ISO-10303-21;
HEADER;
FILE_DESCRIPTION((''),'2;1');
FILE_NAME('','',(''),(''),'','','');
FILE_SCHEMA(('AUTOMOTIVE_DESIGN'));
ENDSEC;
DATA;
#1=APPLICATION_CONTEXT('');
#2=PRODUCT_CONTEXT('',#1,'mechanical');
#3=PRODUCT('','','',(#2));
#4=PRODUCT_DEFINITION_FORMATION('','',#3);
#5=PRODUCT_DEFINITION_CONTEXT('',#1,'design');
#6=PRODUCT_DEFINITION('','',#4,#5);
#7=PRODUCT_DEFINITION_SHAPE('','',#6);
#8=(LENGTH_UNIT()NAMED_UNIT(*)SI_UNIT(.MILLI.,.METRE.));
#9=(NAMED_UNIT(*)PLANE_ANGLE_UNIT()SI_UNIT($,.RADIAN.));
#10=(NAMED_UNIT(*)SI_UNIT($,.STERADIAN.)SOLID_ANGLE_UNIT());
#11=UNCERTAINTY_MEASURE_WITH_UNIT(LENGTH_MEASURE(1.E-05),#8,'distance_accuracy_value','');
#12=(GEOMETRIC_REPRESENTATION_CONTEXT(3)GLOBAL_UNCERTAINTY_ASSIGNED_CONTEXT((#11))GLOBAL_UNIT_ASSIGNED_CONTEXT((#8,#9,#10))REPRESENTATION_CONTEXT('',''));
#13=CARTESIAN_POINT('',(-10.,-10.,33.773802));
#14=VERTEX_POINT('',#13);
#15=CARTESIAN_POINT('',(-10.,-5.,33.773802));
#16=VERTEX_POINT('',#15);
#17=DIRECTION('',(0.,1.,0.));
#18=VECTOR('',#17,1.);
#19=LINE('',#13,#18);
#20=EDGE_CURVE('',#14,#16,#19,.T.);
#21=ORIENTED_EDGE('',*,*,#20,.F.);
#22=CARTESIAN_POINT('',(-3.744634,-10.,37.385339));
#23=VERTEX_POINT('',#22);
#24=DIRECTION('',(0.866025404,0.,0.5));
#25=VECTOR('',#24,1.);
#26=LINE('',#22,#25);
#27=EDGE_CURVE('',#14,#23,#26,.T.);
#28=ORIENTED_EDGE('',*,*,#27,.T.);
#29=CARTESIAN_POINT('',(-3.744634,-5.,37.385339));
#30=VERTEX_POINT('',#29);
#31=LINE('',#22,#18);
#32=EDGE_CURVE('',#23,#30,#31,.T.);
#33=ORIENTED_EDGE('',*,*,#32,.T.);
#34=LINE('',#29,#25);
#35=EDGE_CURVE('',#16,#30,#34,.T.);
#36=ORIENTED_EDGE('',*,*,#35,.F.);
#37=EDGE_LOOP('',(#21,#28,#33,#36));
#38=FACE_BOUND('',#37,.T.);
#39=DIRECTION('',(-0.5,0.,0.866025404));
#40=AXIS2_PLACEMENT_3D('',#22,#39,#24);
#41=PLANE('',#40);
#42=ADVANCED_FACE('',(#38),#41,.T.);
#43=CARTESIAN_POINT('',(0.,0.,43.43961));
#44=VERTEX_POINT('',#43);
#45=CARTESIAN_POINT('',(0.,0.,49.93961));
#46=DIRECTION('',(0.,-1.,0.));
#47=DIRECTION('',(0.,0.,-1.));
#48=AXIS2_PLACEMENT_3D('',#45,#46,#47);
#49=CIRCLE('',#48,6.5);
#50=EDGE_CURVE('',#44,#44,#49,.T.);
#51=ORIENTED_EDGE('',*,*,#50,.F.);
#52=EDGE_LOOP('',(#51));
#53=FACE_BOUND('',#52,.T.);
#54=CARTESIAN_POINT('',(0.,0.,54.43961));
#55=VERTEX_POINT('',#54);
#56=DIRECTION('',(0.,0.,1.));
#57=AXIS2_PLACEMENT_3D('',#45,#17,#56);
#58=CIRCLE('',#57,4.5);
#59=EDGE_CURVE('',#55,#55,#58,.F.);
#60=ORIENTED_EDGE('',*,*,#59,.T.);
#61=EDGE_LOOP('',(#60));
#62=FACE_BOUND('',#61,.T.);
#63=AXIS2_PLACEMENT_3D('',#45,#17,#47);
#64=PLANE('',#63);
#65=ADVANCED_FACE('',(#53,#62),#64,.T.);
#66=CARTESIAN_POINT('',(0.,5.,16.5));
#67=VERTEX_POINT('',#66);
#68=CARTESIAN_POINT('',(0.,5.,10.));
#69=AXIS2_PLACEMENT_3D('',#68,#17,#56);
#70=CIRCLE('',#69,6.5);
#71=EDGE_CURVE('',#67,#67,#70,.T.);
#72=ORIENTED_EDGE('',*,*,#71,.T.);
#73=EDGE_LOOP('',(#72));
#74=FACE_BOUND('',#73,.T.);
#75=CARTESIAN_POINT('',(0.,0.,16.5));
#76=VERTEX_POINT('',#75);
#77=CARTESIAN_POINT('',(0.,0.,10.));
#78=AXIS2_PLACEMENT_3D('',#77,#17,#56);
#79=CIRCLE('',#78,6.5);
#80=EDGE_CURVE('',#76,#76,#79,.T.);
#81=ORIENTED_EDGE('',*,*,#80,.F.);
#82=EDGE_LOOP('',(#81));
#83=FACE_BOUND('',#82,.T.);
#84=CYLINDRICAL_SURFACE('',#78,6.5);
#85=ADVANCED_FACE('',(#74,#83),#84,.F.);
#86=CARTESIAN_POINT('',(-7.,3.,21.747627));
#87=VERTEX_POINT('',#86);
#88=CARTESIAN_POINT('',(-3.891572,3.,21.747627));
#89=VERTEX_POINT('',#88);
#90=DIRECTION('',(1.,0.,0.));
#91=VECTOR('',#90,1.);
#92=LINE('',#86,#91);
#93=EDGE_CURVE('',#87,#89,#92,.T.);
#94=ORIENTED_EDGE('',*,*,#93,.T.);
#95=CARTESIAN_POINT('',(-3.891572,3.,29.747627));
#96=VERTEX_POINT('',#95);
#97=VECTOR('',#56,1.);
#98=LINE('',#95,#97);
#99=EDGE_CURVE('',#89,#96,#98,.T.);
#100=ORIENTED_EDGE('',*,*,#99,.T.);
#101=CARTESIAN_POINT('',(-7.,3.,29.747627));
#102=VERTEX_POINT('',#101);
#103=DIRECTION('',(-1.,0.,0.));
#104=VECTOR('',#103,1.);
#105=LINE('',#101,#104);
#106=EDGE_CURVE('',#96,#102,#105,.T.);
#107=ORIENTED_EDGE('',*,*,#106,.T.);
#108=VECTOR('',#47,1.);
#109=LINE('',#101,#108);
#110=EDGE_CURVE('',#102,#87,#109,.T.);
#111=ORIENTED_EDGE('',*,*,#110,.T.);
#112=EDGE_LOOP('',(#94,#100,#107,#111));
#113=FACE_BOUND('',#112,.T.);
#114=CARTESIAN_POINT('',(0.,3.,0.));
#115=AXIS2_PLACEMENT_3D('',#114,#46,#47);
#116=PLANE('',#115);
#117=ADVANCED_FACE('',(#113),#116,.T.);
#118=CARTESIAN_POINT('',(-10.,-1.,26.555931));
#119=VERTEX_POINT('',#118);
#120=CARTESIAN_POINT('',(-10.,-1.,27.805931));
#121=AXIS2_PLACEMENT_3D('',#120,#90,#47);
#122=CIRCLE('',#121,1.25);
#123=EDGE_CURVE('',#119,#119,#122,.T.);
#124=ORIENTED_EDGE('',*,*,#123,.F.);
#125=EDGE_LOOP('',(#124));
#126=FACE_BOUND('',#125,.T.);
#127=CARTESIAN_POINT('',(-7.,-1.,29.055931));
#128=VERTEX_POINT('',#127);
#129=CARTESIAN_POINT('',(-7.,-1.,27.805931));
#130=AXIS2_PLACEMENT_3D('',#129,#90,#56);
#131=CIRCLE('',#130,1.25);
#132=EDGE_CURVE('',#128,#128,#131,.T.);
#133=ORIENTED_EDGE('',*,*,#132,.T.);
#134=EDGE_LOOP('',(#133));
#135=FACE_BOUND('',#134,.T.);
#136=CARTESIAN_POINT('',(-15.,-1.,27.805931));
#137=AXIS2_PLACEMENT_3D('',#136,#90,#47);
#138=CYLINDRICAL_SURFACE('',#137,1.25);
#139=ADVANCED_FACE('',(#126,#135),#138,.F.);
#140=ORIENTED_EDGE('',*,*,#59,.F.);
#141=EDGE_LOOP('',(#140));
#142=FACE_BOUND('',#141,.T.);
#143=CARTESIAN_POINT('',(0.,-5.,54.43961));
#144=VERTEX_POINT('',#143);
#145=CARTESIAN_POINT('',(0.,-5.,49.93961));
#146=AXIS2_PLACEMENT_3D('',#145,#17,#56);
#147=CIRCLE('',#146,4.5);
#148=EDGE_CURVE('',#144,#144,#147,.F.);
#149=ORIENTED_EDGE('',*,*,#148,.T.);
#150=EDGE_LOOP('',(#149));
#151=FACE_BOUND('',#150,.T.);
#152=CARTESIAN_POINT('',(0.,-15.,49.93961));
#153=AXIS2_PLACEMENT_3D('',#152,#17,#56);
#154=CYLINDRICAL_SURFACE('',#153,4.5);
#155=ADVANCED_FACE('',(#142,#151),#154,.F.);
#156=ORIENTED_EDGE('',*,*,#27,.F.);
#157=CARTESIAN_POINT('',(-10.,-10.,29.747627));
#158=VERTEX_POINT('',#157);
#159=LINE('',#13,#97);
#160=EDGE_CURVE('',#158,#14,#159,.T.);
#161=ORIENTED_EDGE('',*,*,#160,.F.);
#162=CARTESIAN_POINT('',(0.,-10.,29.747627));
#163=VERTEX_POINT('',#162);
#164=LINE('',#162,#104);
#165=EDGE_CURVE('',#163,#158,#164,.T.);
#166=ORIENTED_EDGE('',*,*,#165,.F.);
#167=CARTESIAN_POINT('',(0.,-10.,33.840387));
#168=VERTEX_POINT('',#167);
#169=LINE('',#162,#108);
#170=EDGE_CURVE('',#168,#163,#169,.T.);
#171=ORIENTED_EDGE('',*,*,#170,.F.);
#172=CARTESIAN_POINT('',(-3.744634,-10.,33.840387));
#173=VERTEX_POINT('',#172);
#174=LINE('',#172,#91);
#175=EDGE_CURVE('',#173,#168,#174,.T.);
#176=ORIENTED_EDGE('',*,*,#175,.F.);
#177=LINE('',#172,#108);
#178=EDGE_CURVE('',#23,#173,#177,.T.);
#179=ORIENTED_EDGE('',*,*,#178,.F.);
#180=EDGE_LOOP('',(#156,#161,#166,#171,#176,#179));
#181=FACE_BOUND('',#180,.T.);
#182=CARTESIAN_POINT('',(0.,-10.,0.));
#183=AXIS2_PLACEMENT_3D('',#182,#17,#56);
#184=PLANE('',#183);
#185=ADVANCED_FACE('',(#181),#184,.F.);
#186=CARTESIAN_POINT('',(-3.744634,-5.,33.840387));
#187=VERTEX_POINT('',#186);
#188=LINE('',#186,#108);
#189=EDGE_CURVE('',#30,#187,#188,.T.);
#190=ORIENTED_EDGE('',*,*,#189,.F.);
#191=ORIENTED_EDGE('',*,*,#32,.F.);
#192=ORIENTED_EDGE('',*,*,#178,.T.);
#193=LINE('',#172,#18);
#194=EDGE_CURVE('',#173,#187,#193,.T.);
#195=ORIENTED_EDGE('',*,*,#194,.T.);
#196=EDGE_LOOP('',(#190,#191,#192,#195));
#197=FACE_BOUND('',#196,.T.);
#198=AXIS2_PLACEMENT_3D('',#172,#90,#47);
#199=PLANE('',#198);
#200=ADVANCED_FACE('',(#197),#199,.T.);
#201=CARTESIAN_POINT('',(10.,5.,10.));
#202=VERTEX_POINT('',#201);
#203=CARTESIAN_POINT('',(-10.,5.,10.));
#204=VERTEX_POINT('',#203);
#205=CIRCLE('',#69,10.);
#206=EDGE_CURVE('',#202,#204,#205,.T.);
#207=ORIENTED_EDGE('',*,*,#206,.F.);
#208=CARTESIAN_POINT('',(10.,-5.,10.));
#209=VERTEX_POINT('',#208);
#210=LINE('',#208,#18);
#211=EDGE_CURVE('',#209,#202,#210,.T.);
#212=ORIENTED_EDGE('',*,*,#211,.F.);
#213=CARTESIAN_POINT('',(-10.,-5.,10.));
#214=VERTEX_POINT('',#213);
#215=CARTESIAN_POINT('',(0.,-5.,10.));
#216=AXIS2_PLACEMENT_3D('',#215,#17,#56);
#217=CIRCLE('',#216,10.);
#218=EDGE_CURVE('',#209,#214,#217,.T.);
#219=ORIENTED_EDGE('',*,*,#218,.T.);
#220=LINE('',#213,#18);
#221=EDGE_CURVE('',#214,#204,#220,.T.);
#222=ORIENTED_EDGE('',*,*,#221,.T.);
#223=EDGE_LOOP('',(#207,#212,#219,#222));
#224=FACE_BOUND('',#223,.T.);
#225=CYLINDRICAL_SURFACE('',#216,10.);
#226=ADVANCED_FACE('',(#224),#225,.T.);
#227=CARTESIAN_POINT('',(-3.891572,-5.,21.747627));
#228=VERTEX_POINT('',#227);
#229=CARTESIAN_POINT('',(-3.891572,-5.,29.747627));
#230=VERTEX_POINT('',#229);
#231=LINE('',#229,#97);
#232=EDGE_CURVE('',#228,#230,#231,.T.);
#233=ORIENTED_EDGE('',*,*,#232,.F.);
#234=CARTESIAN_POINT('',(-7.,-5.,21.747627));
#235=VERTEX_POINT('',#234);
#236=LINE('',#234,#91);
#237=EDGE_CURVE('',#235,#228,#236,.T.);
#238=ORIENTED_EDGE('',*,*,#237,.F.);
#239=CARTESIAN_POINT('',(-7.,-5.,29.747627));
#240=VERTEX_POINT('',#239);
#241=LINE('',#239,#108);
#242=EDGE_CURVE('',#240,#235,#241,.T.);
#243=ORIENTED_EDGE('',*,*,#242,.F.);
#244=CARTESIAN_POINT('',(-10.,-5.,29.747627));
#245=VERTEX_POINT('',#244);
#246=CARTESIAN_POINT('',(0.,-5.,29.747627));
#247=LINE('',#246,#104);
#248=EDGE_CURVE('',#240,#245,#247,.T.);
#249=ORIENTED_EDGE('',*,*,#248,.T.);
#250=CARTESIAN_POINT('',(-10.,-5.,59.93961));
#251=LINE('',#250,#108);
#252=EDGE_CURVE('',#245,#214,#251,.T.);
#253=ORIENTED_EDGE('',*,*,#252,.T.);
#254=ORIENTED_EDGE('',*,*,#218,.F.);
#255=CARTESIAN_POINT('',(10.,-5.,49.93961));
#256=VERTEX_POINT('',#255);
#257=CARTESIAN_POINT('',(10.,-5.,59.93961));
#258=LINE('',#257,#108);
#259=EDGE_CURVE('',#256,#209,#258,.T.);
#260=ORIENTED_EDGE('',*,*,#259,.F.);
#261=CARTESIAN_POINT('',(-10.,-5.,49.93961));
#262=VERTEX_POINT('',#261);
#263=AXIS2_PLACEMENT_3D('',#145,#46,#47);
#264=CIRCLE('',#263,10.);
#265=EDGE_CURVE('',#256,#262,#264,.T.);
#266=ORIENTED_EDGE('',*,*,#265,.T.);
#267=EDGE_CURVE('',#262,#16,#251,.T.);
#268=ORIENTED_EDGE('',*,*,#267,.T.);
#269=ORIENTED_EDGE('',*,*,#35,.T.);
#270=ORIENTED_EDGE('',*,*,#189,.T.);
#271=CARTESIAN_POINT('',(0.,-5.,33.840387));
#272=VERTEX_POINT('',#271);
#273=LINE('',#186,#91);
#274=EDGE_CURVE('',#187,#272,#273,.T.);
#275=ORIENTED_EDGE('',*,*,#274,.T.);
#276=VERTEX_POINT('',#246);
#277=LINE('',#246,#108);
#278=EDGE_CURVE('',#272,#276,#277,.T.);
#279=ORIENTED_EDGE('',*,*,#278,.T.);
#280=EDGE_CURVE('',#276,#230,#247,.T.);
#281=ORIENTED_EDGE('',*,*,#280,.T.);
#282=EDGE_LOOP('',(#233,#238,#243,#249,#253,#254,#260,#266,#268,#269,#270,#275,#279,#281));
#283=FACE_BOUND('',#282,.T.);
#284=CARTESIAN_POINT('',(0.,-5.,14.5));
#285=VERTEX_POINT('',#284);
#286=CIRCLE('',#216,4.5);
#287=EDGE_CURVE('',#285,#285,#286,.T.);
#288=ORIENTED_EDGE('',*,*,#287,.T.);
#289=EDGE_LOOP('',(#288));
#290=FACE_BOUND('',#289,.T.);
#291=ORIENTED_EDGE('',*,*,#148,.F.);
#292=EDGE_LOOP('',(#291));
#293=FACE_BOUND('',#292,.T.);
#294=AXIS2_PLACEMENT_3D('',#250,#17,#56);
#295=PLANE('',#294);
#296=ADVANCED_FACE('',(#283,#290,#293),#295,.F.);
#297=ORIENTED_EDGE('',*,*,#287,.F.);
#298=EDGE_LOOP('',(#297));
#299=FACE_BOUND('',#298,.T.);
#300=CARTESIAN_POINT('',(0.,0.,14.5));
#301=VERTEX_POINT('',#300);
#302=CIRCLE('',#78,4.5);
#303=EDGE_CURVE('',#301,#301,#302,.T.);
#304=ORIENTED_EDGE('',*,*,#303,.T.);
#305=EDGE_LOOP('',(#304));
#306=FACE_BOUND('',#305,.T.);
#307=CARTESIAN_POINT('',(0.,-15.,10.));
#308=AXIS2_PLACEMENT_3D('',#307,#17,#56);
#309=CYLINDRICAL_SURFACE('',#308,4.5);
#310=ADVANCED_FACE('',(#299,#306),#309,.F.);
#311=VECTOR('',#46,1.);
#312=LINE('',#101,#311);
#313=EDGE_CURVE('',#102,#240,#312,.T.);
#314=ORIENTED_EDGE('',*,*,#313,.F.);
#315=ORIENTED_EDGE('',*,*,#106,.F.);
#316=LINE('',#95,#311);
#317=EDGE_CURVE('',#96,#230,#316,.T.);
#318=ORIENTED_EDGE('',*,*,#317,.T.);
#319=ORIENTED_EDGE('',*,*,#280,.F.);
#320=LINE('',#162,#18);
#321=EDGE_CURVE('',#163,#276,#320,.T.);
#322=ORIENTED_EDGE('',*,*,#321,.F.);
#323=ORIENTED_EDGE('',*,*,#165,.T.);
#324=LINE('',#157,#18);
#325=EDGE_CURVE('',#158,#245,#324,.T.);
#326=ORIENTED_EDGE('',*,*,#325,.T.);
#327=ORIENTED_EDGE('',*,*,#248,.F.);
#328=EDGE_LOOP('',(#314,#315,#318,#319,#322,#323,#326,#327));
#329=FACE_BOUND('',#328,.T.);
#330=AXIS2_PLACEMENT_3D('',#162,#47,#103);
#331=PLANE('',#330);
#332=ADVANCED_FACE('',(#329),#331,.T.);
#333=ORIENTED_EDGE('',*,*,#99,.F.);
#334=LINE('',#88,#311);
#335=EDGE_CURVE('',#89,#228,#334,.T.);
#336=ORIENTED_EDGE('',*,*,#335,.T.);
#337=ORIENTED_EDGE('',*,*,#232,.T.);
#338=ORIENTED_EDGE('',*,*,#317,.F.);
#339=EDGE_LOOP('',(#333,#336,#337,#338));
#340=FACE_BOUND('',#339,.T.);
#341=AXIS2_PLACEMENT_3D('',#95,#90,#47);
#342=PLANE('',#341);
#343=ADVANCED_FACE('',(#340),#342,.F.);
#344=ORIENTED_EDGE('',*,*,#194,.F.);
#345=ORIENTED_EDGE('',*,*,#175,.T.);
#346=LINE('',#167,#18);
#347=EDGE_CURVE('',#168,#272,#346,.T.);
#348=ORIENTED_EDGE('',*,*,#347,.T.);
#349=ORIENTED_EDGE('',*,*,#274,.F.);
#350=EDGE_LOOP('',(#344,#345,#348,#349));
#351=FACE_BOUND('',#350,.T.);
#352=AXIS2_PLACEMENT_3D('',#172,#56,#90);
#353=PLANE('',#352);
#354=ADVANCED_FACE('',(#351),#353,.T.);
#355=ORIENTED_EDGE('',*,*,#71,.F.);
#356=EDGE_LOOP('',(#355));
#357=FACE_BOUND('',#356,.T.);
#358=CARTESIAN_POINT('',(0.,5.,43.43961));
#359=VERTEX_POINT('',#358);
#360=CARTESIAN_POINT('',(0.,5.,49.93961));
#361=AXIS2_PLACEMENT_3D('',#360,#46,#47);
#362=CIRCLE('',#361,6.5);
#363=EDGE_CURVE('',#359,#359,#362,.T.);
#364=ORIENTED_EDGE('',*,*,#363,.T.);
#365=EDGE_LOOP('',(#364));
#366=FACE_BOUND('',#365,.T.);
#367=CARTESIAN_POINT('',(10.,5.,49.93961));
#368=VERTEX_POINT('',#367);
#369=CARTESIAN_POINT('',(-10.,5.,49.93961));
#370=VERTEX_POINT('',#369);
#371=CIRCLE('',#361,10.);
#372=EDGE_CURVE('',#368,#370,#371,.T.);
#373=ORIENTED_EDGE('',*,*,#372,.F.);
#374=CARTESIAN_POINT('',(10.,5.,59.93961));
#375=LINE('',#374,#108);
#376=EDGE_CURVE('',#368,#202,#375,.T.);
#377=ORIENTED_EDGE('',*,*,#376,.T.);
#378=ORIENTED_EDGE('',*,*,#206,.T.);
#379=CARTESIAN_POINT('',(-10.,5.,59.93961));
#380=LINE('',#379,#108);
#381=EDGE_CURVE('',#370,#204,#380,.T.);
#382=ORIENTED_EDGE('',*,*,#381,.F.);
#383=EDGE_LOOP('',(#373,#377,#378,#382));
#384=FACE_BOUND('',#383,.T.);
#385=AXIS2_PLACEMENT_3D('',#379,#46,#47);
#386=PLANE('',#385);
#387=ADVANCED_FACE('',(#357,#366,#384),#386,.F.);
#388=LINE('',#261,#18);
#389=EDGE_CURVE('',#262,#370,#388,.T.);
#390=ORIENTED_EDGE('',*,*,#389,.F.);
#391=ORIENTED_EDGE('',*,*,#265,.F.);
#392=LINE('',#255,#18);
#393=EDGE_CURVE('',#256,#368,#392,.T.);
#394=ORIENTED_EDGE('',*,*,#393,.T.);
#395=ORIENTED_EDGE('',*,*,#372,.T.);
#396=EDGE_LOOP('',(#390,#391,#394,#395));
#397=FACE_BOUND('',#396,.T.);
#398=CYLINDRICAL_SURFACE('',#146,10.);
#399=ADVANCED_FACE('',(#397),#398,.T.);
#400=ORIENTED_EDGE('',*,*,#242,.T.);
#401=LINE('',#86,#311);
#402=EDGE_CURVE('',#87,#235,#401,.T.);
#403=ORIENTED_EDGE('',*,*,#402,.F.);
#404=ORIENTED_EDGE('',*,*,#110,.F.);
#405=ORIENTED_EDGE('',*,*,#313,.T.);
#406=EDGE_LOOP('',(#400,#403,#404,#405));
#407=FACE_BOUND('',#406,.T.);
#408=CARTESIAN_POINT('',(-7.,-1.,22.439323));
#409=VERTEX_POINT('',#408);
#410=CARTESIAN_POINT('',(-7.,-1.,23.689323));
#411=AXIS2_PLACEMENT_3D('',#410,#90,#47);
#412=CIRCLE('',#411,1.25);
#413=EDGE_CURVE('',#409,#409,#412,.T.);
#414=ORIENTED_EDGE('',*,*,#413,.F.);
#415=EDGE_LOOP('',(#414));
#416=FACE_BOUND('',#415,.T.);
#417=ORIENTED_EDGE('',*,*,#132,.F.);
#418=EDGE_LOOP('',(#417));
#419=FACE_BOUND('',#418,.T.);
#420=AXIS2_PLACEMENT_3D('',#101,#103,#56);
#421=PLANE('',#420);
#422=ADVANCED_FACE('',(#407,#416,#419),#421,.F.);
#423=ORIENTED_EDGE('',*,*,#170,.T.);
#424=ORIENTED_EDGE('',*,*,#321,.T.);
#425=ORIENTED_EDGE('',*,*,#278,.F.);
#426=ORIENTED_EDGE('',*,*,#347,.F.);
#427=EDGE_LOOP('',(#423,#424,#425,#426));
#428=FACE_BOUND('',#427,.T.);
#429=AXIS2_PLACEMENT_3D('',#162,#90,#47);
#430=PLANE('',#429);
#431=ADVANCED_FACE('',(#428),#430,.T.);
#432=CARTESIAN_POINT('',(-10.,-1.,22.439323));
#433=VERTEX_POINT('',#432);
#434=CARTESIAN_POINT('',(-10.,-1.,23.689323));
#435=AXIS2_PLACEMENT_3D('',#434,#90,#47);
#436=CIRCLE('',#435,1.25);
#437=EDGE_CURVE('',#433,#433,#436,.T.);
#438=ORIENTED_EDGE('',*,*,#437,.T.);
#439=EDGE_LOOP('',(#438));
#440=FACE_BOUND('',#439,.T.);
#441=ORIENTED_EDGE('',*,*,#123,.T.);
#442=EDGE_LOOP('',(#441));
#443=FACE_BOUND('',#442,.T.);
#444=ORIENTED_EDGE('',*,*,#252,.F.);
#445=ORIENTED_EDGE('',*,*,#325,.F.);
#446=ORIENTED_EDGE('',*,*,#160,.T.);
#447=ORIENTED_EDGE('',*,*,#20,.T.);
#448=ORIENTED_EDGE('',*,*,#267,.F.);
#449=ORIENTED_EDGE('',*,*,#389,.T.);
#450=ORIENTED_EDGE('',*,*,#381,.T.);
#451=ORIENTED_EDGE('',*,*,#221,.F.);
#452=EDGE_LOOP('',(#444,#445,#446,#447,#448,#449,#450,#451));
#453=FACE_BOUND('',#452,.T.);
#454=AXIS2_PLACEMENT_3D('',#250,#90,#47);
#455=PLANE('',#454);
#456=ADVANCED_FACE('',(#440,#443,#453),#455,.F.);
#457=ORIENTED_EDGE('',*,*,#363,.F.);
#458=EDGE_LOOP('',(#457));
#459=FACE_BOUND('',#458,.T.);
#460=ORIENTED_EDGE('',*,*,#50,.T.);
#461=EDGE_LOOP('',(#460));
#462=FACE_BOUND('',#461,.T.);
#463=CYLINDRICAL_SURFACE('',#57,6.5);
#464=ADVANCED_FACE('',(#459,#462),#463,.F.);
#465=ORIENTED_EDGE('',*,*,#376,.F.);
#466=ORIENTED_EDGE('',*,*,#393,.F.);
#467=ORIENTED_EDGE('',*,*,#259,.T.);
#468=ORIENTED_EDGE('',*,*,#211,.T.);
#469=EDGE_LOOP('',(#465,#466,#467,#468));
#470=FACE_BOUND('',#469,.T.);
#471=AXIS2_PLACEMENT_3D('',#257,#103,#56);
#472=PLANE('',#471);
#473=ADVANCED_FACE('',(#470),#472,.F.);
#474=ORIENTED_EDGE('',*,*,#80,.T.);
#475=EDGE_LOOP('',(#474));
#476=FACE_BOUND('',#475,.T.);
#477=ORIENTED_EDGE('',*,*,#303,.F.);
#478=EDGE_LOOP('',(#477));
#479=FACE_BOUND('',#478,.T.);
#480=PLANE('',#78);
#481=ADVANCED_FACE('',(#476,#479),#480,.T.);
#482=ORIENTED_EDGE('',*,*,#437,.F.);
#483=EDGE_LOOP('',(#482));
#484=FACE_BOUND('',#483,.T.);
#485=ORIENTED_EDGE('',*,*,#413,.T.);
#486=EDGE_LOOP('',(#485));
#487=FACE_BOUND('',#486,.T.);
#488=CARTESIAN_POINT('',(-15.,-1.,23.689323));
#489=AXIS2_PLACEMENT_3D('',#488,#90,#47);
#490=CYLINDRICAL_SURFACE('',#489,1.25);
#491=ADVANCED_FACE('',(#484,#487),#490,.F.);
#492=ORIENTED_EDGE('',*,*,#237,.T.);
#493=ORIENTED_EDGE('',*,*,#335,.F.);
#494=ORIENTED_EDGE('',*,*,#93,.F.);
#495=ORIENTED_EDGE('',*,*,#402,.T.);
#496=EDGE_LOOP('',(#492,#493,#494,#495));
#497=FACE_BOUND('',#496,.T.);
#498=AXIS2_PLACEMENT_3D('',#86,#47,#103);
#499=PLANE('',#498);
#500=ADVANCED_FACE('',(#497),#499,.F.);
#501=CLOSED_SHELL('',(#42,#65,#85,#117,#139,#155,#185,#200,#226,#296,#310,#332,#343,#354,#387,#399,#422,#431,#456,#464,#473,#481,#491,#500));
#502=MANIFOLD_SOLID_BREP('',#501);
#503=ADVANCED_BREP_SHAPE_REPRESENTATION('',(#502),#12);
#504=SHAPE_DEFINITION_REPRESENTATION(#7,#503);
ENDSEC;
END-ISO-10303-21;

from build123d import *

# Parameters (mm, degrees)
SKETCH_1_W          = 20
SKETCH_1_H          = 10
EXTRUDE_1_DEPTH     = 59.939609738
SKETCH_2_R          = 6.5
CUT_EXTRUDE_1_DEPTH = 5
SKETCH_3_R          = 4.5
CUT_EXTRUDE_2_DEPTH = 20
CUT_EXTRUDE_3_DEPTH = 10
EXTRUDE_2_DEPTH     = 5
SKETCH_5_W          = 3.108428341
SKETCH_5_H          = 8
CUT_EXTRUDE_4_DEPTH = 8
SKETCH_7_R          = 1.25
CUT_EXTRUDE_5_DEPTH = 8


with BuildPart() as part:
    # 스케치1 → 보스-돌출1 (new body)
    with BuildSketch(Plane.XY):
        Rectangle(SKETCH_1_W, SKETCH_1_H)
    extrude(amount=EXTRUDE_1_DEPTH)

    # 스케치2 → 컷-돌출1 (cut)
    with BuildSketch(Plane(origin=(0, 5, 0), x_dir=(1, 0, 0), z_dir=(0, 1, 0))):
        with Locations((0, -10)):
            Circle(SKETCH_2_R)
    cut_extrude_1 = extrude(amount=-CUT_EXTRUDE_1_DEPTH, mode=Mode.SUBTRACT)

    # 스케치3 → 컷-돌출2 (cut)
    with BuildSketch(Plane(origin=(0, 5, 0), x_dir=(1, 0, 0), z_dir=(0, 1, 0))):
        with Locations((0, -10)):
            Circle(SKETCH_3_R)
    cut_extrude_2 = extrude(amount=-CUT_EXTRUDE_2_DEPTH, mode=Mode.SUBTRACT)

    # 스케치3<4> → 컷-돌출3 (cut)
    with BuildSketch(Plane(origin=(0, 5, 0), x_dir=(1, 0, 0), z_dir=(0, 1, 0))):
        with BuildLine():
            Line((-10, 0), (-10, -10))
            ThreePointArc((-10, -10), (-7.071067806, -2.928932182), (1.6e-08, 0))
            Line((1.6e-08, 0), (-10, 0))
        make_face()
        with BuildLine():
            Line((10, 0), (1.6e-08, 0))
            ThreePointArc((1.6e-08, 0), (7.071067818, -2.928932194), (10, -10))
            Line((10, -10), (10, 0))
        make_face()
    cut_extrude_3 = extrude(amount=-CUT_EXTRUDE_3_DEPTH, mode=Mode.SUBTRACT)

    # 대칭 복사1: 컷-돌출1, 컷-돌출2, 컷-돌출3 across plane
    add(cut_extrude_1.mirror(Plane.XY.offset(29.969804869)), mode=Mode.SUBTRACT)
    add(cut_extrude_2.mirror(Plane.XY.offset(29.969804869)), mode=Mode.SUBTRACT)
    add(cut_extrude_3.mirror(Plane.XY.offset(29.969804869)), mode=Mode.SUBTRACT)

    # 스케치4 → 보스-돌출2 (add)
    with BuildSketch(Plane(origin=(0, -5, 0), x_dir=(1, 0, 0), z_dir=(0, 1, 0))):
        Polygon((-3.744634418, -37.385339203), (-10, -33.773802201), (-10, -29.747626971), (0, -29.747626971), (0, -33.840387137), (-3.744634418, -33.840387137), align=None)
    extrude(amount=-EXTRUDE_2_DEPTH)

    # 스케치5 → 컷-돌출4 (cut)
    with BuildSketch(Plane.XZ.offset(5)):
        with Locations((-5.44578583, 25.747626971)):
            Rectangle(SKETCH_5_W, SKETCH_5_H)
    extrude(amount=-CUT_EXTRUDE_4_DEPTH, mode=Mode.SUBTRACT)

    # 스케치7 → 컷-돌출5 (cut)
    with BuildSketch(Plane(origin=(-7, 0, 0), x_dir=(0, 0, -1), z_dir=(1, 0, 0))):
        with Locations((-23.689322855, -1)):
            Circle(SKETCH_7_R)
        with Locations((-27.805931086, -1)):
            Circle(SKETCH_7_R)
    extrude(amount=-CUT_EXTRUDE_5_DEPTH, mode=Mode.SUBTRACT)


solid = part.part
